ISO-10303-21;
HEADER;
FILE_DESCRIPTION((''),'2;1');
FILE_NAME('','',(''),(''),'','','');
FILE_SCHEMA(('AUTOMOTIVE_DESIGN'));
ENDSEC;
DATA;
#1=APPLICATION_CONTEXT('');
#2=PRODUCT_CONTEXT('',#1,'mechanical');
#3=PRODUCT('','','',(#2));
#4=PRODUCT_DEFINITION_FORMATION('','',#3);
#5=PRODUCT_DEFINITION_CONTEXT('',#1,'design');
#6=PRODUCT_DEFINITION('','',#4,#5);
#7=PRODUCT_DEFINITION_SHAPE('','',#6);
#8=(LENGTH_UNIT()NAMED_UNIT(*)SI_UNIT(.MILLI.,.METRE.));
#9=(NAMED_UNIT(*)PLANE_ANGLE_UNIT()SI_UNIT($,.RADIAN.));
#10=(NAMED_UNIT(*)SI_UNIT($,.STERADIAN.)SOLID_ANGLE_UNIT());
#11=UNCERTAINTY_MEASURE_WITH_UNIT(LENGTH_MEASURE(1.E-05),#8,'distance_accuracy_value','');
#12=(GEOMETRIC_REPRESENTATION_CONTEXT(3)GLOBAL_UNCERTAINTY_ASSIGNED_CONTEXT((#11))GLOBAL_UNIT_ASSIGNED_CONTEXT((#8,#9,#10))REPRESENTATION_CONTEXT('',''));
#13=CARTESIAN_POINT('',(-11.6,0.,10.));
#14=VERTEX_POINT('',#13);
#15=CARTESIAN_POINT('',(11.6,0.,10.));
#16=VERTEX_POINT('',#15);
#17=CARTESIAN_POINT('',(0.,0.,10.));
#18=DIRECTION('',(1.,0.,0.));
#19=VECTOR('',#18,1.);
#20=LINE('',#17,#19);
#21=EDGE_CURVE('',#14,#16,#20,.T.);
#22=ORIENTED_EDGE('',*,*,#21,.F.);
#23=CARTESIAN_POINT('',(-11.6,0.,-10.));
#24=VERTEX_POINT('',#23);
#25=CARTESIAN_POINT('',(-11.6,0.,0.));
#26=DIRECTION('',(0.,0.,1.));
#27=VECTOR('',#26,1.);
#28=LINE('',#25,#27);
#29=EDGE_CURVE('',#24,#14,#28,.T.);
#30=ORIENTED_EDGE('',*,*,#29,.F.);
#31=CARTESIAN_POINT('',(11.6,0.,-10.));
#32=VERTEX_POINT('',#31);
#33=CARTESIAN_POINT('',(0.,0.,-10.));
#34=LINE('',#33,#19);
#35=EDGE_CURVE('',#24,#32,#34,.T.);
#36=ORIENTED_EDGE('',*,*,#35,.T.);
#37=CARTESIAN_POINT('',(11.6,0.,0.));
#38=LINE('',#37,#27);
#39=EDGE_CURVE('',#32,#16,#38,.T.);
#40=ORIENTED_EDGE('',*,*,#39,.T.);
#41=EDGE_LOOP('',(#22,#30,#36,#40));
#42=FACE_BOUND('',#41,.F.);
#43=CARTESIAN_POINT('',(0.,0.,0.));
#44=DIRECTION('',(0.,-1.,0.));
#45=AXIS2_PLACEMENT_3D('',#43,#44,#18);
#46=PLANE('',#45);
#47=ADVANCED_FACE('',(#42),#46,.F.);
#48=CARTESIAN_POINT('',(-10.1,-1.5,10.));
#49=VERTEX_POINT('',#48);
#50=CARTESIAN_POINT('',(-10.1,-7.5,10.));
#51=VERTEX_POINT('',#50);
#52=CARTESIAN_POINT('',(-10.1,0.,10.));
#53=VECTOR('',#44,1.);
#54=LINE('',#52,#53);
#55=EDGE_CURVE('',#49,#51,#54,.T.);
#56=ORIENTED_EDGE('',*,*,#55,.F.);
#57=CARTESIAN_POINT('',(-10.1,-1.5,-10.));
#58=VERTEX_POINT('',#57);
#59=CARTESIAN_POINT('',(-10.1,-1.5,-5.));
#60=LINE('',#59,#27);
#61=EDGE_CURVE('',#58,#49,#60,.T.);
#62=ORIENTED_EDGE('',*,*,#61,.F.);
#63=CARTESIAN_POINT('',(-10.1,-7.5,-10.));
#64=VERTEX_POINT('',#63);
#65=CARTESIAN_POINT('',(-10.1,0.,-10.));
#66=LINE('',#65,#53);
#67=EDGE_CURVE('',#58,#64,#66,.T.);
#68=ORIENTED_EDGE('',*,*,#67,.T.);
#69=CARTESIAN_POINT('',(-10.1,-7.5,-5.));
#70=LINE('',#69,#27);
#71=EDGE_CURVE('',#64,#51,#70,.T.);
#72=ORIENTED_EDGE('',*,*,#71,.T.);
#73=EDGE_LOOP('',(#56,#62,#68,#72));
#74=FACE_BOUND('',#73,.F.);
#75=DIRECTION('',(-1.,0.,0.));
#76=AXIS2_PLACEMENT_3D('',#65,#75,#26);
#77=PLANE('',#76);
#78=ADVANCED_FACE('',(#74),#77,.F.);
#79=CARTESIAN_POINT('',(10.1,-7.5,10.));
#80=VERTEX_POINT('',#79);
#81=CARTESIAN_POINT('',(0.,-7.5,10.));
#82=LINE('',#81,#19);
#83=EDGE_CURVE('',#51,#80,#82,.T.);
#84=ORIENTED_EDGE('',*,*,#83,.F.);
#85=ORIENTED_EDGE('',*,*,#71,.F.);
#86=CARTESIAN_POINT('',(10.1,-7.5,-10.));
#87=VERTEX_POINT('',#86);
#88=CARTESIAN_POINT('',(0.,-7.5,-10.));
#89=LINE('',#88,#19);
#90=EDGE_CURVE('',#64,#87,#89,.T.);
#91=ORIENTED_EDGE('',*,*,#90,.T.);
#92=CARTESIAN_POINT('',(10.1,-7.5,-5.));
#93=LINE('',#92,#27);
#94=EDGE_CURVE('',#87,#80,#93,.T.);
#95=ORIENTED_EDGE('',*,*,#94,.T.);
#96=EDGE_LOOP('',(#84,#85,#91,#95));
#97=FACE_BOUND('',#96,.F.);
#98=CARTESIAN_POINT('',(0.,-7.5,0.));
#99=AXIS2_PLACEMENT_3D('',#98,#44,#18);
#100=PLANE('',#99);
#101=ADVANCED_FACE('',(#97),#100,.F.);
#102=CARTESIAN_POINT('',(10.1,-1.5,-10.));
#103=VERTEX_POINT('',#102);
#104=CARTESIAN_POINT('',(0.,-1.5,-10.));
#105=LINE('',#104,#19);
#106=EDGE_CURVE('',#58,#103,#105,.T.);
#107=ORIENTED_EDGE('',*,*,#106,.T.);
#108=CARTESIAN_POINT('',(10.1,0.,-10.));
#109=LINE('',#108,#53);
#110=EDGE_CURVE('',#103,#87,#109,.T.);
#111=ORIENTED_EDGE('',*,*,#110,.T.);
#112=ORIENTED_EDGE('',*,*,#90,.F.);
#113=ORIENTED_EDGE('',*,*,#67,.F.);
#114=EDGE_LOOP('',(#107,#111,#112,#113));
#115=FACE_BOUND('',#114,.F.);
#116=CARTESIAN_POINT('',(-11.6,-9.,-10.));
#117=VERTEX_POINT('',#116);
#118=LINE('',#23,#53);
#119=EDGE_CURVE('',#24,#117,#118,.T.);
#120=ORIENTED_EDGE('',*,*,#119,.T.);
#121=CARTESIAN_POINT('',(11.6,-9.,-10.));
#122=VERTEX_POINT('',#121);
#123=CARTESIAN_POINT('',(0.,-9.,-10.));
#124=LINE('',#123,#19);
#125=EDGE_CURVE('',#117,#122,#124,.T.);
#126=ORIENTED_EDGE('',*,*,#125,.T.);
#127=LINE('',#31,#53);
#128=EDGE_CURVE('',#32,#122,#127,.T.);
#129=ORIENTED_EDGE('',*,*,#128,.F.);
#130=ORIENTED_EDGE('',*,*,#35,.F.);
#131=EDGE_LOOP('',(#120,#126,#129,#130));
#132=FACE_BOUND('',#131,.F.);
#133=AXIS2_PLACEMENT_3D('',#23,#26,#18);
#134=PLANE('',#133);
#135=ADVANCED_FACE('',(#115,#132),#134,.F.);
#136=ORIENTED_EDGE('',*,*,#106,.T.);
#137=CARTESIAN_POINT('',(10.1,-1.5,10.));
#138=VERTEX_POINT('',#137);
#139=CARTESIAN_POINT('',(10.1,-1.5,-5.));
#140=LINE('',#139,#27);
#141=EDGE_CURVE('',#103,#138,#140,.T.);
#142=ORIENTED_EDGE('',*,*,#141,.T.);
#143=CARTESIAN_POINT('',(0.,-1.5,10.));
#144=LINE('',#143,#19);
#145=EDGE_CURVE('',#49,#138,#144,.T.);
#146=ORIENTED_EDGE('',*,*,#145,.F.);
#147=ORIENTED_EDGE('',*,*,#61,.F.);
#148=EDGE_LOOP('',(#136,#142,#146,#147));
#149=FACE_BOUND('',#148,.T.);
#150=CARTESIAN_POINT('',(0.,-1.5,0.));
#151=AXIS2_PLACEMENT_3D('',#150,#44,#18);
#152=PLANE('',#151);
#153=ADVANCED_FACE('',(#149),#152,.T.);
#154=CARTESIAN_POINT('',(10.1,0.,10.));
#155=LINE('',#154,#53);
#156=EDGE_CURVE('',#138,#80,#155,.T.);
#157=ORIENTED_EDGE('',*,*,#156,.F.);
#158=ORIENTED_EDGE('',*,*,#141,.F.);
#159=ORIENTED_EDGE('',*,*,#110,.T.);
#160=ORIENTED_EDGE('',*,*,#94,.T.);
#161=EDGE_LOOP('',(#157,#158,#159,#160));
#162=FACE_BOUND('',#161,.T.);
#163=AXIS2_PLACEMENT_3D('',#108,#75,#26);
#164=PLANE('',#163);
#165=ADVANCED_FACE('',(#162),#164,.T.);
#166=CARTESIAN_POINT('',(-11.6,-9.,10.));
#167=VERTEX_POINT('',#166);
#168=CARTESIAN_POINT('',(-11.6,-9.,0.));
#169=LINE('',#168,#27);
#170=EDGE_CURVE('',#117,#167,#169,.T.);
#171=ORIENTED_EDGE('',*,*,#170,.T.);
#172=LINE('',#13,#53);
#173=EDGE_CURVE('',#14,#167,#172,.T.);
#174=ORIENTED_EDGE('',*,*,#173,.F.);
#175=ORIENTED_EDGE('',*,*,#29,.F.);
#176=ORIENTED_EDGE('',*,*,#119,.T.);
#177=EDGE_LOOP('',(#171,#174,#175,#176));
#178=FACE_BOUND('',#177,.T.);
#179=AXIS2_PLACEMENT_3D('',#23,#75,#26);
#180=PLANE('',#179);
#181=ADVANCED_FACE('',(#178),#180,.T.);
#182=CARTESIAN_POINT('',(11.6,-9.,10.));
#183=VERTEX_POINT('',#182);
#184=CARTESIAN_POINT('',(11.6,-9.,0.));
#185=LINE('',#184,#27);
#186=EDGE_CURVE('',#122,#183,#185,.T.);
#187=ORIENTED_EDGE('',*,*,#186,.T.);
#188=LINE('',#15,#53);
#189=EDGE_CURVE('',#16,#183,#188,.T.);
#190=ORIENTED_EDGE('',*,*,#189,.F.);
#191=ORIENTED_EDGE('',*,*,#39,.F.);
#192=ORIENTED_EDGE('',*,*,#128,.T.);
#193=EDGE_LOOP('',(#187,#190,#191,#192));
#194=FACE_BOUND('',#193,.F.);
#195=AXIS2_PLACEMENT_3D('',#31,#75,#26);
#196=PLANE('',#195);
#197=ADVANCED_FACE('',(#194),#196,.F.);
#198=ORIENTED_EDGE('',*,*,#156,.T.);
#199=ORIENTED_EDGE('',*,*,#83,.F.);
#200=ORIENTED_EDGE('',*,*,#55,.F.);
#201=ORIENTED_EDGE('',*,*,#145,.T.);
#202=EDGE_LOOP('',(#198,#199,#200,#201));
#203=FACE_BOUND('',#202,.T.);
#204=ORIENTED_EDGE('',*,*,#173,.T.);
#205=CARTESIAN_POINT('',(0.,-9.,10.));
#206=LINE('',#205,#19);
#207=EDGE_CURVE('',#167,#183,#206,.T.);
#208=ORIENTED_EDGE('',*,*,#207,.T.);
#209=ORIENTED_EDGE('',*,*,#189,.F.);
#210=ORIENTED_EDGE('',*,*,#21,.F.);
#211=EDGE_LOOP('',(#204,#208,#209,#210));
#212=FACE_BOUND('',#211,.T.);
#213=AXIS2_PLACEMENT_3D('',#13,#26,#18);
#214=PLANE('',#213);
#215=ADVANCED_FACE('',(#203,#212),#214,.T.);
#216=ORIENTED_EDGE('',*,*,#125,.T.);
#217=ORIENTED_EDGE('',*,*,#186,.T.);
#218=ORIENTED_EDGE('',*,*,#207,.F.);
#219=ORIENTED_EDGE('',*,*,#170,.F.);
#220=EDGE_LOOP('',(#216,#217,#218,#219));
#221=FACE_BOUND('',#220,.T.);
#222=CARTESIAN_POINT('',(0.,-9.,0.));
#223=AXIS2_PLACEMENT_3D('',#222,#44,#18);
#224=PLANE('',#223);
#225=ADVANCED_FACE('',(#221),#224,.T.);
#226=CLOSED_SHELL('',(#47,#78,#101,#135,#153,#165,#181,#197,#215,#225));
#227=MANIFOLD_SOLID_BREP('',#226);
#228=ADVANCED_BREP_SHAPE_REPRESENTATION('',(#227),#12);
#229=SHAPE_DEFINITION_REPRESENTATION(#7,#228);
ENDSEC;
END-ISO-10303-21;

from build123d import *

# Parameters (mm, degrees)
F0_W     = 23.2
F0_H     = 20
F1_DEPTH = 9
F2_T     = -1.5


with BuildPart() as f1:
    # F0 (on Front) → F1 (new body)
    with BuildSketch(Plane.XZ):
        Rectangle(F0_W, F0_H)
    extrude(amount=F1_DEPTH)

    # F2
    f2_openings = [f1.faces().sort_by_distance(p)[0] for p in [
        (0, -4.5, 10),
        (0, -4.5, -10),
    ]]
    offset(amount=F2_T, openings=f2_openings)


solid = f1.part
